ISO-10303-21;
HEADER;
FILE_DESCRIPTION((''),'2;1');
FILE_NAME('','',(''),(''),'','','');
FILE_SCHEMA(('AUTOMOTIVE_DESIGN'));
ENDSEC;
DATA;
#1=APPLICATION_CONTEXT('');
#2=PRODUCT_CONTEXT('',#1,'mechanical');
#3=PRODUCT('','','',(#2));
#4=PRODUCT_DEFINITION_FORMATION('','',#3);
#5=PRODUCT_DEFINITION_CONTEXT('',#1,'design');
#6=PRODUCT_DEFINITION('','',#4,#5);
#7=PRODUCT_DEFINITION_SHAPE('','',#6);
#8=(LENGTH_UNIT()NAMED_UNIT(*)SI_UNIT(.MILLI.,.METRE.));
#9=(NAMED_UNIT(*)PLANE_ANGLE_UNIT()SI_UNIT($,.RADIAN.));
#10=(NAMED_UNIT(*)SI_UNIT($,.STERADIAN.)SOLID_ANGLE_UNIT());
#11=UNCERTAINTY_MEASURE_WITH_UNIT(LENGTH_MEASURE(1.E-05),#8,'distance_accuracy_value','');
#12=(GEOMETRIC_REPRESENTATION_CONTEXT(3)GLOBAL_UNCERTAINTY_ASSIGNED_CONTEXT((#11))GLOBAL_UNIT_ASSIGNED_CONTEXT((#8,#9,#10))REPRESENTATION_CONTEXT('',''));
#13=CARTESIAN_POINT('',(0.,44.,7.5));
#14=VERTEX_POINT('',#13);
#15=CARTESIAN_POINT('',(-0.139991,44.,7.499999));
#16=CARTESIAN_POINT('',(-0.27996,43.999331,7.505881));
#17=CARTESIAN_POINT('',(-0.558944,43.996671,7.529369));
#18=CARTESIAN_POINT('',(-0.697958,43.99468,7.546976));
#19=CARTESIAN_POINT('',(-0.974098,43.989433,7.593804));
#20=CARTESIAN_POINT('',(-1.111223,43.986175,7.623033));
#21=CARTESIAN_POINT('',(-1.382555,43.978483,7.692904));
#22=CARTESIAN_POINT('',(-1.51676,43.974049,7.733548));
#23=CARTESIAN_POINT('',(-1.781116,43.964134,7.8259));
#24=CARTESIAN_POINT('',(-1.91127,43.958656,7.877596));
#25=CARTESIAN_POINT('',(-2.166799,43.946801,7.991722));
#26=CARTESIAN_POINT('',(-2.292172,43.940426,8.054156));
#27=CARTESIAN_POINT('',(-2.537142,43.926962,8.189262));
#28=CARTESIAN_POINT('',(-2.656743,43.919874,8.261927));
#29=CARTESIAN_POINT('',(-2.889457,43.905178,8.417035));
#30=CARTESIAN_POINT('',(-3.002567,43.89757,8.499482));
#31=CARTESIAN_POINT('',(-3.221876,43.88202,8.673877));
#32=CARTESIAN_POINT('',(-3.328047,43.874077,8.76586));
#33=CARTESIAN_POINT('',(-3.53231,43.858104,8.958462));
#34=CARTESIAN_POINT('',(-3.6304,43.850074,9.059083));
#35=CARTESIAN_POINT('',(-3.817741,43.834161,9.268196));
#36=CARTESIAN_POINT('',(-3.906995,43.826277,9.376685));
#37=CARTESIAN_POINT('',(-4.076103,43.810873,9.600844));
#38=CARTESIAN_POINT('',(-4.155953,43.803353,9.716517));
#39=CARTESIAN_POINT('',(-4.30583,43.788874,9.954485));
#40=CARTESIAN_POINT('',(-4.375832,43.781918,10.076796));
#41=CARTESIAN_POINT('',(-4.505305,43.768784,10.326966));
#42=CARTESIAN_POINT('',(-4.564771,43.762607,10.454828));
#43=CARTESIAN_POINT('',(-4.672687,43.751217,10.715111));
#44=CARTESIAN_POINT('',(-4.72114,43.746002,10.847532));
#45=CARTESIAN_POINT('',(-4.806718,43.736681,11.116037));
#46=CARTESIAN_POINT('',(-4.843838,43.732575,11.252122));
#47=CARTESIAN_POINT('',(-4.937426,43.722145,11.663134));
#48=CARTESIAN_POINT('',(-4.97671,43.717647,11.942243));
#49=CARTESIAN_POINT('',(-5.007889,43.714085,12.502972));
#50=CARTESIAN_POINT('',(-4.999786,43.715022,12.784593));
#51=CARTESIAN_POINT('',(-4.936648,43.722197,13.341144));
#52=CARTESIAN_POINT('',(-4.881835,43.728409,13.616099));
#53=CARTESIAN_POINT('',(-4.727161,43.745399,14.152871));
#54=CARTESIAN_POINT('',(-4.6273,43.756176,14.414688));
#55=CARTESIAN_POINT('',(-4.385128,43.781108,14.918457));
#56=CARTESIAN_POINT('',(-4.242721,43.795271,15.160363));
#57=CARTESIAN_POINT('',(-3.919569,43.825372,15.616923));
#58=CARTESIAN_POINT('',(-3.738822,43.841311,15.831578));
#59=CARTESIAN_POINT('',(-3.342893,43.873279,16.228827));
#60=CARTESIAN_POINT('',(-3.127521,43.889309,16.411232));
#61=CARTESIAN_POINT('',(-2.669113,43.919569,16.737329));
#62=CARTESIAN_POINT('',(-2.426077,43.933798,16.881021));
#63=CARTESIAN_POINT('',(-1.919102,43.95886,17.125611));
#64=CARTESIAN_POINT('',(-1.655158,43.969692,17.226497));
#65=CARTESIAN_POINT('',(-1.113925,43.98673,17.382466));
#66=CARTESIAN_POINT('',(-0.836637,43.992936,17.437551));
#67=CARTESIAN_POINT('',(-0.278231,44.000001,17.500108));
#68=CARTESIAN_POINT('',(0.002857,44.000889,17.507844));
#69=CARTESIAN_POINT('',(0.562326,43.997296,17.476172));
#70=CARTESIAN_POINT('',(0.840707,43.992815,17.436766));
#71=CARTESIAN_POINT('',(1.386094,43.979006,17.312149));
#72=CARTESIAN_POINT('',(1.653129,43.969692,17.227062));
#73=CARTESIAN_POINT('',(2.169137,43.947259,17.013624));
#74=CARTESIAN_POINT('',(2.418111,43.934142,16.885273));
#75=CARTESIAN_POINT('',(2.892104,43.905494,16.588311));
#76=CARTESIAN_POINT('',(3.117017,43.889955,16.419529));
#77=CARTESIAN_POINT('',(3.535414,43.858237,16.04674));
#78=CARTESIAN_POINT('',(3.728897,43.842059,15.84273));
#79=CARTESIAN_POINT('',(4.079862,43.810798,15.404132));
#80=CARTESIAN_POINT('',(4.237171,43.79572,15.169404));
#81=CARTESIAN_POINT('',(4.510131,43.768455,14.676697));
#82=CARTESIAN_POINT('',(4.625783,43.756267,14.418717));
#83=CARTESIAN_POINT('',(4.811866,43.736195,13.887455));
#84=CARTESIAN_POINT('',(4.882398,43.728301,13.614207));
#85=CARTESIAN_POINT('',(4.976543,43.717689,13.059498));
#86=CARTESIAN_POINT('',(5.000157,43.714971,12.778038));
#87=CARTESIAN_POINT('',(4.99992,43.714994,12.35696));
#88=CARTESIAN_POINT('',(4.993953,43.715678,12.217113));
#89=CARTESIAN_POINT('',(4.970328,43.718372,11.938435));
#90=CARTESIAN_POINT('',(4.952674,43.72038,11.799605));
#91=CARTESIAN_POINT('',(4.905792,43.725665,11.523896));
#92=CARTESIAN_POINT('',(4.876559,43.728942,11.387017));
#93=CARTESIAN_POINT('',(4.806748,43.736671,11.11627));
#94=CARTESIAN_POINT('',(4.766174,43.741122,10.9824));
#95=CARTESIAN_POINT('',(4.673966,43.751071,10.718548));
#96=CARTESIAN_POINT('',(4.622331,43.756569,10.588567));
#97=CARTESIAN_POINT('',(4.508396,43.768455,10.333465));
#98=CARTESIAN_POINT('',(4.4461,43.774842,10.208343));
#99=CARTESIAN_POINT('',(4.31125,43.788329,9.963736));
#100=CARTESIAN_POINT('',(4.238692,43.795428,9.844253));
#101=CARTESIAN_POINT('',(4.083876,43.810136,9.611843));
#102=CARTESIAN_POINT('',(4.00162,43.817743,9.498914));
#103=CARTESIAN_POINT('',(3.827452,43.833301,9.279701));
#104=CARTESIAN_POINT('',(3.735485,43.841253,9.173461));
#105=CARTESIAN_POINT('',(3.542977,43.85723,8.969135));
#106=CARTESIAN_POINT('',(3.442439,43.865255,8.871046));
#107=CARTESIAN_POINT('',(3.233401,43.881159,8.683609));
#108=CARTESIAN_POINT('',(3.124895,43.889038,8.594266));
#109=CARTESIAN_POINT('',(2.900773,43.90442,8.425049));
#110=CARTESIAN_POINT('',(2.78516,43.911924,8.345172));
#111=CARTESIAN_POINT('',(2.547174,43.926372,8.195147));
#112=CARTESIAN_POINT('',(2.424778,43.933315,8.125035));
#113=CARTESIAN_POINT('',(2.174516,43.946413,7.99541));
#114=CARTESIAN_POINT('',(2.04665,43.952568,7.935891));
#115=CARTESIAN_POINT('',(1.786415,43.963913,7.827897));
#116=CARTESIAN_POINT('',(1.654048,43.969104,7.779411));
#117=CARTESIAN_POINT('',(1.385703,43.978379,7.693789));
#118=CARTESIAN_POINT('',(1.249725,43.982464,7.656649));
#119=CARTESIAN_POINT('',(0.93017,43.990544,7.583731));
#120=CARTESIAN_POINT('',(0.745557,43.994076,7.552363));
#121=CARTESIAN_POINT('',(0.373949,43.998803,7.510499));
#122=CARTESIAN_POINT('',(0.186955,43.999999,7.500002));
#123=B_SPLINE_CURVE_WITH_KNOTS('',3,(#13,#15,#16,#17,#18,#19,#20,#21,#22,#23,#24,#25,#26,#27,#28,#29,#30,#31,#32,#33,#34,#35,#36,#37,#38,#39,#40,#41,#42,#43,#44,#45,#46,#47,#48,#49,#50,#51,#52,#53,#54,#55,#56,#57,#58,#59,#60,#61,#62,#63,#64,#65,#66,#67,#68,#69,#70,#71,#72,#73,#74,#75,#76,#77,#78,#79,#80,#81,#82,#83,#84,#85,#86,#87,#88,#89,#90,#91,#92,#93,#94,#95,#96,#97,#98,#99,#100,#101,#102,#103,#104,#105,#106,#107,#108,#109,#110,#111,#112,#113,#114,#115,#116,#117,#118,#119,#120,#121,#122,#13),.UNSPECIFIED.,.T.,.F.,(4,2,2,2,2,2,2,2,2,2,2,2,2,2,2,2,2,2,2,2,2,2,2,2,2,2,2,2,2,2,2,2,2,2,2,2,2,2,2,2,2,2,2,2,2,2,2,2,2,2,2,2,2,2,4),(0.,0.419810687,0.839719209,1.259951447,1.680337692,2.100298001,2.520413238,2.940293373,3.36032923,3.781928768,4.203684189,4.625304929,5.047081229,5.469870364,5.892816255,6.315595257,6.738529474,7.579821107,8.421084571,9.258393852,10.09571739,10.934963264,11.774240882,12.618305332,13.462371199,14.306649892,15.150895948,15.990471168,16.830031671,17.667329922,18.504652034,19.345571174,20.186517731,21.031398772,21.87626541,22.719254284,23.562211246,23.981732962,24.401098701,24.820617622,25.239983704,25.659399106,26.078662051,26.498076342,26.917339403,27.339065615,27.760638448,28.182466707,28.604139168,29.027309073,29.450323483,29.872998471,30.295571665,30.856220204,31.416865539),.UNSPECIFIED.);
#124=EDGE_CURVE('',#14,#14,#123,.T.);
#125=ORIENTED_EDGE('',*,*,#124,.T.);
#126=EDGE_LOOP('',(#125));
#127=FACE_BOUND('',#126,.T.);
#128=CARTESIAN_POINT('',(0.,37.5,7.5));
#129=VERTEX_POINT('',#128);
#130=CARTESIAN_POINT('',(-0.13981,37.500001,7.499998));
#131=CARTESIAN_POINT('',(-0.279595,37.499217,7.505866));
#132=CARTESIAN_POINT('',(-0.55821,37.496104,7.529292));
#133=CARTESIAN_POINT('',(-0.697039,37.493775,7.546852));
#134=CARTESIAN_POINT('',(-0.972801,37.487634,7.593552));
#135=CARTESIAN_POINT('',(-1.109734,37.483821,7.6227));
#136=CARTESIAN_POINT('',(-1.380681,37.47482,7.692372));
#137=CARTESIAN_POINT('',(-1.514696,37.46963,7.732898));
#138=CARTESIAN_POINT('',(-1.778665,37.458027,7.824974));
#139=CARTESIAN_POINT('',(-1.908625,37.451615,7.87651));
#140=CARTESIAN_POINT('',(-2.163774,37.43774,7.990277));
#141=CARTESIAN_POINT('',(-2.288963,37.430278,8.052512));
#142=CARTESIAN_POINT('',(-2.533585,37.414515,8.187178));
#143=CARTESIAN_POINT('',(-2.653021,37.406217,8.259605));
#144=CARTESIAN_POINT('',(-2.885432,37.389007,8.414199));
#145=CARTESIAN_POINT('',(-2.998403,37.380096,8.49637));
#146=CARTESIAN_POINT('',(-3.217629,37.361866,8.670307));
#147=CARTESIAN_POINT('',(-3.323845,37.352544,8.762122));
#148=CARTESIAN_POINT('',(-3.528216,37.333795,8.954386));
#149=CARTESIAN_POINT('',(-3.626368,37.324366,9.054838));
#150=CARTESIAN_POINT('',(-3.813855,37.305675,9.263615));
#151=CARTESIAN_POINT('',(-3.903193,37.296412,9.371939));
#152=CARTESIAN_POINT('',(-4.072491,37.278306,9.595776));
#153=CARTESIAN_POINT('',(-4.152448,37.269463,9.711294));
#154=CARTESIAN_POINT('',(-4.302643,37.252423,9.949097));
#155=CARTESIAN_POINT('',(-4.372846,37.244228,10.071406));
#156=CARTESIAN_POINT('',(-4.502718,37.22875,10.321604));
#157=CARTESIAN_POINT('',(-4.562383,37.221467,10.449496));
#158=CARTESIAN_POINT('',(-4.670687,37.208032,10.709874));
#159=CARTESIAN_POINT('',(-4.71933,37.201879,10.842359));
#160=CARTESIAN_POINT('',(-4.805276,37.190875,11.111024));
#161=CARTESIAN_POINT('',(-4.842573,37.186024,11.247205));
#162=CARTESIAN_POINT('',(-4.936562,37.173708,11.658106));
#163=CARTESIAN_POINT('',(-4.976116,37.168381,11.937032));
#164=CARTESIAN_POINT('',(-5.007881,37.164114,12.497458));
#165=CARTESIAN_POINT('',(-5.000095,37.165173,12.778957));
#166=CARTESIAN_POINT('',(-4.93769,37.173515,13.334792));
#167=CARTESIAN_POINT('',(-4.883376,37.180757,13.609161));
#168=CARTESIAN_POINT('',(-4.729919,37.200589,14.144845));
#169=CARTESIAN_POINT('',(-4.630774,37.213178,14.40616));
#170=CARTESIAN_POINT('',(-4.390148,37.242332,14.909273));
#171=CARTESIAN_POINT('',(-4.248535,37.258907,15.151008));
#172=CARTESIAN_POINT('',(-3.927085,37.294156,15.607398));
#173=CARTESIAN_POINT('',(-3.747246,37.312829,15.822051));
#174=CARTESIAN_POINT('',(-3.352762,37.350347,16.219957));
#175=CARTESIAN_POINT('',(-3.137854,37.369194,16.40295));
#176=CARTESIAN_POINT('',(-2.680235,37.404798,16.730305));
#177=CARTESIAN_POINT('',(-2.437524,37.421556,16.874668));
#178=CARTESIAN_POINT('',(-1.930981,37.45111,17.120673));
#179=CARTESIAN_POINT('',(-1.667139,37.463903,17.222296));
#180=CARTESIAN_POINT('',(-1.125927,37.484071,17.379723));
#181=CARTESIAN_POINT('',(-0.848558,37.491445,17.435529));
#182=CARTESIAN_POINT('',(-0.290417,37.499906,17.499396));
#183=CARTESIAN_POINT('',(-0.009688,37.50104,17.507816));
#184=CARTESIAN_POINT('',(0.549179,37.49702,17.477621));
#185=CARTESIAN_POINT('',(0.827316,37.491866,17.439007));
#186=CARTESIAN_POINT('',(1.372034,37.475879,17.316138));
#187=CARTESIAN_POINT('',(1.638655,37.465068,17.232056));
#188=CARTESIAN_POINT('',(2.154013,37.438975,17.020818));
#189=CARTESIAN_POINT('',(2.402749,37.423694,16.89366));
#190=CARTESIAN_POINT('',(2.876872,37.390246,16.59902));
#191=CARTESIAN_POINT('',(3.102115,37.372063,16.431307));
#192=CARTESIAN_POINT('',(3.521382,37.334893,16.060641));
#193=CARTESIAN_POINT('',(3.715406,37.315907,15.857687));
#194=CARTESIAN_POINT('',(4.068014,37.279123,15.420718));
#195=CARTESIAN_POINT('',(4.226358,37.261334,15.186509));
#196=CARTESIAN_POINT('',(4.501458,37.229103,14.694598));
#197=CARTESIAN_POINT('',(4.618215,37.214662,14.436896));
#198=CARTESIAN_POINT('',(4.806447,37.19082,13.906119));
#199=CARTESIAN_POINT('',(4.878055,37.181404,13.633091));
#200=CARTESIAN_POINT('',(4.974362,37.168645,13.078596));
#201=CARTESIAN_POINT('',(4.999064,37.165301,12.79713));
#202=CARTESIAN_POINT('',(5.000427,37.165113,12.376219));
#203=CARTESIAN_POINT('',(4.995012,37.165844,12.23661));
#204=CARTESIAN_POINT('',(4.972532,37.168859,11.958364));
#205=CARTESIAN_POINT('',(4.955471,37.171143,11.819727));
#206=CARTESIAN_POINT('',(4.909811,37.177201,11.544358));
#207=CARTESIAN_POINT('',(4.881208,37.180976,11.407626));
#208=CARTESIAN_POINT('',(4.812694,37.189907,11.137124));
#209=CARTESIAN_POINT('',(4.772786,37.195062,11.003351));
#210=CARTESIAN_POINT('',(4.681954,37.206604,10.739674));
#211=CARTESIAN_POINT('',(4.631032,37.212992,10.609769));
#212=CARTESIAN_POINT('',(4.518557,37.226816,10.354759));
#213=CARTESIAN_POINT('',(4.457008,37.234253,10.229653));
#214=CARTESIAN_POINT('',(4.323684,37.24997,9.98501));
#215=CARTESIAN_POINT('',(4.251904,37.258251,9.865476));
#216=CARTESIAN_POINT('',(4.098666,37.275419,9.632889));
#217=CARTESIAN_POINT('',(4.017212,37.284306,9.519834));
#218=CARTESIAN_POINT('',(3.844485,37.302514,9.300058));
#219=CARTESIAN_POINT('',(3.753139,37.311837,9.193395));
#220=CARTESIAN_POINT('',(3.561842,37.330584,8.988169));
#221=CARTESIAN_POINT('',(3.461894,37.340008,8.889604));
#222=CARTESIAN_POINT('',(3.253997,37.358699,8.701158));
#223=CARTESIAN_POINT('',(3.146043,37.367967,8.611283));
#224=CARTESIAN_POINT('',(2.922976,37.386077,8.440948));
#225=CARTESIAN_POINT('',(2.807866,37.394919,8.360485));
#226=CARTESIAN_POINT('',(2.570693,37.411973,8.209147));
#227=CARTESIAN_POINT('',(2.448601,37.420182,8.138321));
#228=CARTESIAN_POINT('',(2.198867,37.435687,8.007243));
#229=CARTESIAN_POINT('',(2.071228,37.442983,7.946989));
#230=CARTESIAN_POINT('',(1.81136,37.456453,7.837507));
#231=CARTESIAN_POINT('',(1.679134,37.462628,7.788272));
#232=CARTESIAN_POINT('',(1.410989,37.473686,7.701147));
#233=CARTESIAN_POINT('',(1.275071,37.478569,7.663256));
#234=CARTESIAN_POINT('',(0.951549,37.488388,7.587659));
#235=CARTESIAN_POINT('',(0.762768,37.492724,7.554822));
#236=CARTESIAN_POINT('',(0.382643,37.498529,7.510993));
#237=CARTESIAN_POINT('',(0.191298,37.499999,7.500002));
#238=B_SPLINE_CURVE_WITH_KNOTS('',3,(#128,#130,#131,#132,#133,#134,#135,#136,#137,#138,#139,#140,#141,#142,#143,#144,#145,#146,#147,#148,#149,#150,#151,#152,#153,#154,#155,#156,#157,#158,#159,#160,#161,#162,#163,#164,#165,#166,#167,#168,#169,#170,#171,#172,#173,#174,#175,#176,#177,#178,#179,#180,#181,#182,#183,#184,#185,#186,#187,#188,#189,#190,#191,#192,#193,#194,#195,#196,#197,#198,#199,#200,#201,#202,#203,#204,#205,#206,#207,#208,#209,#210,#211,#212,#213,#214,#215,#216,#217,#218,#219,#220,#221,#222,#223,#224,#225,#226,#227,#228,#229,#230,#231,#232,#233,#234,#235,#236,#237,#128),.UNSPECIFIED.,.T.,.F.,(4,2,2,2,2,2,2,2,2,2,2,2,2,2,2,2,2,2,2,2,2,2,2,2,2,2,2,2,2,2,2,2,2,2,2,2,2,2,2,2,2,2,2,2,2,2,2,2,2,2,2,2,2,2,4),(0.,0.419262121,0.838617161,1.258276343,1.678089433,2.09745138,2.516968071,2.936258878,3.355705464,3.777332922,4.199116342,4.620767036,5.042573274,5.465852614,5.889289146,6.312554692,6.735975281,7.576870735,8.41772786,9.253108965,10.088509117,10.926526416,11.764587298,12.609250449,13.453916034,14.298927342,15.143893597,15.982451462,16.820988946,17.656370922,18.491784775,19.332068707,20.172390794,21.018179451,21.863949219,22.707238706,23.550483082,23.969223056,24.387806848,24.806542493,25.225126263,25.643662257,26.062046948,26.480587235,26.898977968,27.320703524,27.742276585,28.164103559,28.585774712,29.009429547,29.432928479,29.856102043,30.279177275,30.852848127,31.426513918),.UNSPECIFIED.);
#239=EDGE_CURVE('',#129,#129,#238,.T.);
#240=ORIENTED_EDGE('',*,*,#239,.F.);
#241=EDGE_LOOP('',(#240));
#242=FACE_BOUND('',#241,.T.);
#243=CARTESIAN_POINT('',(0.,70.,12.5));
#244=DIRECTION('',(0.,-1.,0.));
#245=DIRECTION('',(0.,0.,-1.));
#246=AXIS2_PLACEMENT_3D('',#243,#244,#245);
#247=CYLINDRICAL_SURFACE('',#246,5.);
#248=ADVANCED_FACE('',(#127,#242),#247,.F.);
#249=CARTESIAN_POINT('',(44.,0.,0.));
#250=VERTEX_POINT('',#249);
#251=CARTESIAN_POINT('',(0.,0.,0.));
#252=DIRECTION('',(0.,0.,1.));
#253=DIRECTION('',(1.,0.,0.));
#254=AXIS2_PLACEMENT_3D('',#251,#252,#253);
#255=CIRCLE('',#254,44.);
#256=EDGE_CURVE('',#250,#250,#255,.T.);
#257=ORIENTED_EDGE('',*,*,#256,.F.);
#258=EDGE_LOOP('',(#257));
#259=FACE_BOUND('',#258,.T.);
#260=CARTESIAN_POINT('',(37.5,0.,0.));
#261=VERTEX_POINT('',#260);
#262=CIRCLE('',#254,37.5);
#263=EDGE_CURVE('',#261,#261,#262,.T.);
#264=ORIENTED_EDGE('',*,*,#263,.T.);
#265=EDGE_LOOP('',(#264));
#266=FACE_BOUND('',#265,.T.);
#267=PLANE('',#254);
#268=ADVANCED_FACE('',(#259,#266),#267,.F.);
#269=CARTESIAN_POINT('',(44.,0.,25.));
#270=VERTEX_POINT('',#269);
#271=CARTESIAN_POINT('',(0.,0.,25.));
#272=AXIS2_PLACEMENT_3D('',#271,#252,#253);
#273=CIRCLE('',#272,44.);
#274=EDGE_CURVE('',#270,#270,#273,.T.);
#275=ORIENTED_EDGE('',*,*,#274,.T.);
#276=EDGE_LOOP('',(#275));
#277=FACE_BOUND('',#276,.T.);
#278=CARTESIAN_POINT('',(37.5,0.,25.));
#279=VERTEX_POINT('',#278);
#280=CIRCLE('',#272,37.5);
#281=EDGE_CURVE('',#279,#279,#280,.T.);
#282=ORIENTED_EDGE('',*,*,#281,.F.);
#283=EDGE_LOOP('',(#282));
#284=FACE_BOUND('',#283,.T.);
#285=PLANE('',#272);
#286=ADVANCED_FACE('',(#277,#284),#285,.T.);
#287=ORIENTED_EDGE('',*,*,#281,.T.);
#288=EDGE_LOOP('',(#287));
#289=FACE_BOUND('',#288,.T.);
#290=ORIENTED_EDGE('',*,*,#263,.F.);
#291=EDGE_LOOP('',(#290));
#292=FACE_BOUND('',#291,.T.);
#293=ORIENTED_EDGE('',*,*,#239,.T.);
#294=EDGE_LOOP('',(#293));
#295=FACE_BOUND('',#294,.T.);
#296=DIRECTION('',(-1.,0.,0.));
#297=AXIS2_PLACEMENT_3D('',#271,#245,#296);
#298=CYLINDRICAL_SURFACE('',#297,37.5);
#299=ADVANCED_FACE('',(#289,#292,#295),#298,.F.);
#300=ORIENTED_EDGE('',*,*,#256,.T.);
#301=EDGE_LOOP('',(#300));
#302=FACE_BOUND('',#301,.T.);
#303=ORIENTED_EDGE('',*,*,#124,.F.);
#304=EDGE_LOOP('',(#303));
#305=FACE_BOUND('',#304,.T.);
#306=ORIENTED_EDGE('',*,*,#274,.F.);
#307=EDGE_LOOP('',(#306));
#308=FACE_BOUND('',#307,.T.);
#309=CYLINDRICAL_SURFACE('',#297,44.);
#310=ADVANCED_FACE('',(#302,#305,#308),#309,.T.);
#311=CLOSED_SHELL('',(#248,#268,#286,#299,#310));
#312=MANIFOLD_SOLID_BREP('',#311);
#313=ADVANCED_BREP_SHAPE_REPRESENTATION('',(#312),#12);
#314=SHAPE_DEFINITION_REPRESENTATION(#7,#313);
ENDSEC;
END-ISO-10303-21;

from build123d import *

# Parameters (mm, degrees)
SKETCH1_R           = 44
SKETCH1_R_2         = 37.5
BOSS_EXTRUDE1_DEPTH = 25
SKETCH2_R           = 5
CUT_EXTRUDE1_DEPTH  = 70


with BuildPart() as part:
    # Sketch1 → Boss-Extrude1 (new body)
    with BuildSketch(Plane.XY):
        Circle(SKETCH1_R)
        Circle(SKETCH1_R_2, mode=Mode.SUBTRACT)
    extrude(amount=BOSS_EXTRUDE1_DEPTH)

    # Sketch2 → Cut-Extrude1 (cut)
    with BuildSketch(Plane(origin=(0, 0, 0), x_dir=(1, 0, 0), z_dir=(0, 1, 0))):
        with Locations(Location((0, -12.5, 0), (0, 0, 90))):
            Circle(SKETCH2_R)
    extrude(amount=CUT_EXTRUDE1_DEPTH, mode=Mode.SUBTRACT)


solid = part.part
